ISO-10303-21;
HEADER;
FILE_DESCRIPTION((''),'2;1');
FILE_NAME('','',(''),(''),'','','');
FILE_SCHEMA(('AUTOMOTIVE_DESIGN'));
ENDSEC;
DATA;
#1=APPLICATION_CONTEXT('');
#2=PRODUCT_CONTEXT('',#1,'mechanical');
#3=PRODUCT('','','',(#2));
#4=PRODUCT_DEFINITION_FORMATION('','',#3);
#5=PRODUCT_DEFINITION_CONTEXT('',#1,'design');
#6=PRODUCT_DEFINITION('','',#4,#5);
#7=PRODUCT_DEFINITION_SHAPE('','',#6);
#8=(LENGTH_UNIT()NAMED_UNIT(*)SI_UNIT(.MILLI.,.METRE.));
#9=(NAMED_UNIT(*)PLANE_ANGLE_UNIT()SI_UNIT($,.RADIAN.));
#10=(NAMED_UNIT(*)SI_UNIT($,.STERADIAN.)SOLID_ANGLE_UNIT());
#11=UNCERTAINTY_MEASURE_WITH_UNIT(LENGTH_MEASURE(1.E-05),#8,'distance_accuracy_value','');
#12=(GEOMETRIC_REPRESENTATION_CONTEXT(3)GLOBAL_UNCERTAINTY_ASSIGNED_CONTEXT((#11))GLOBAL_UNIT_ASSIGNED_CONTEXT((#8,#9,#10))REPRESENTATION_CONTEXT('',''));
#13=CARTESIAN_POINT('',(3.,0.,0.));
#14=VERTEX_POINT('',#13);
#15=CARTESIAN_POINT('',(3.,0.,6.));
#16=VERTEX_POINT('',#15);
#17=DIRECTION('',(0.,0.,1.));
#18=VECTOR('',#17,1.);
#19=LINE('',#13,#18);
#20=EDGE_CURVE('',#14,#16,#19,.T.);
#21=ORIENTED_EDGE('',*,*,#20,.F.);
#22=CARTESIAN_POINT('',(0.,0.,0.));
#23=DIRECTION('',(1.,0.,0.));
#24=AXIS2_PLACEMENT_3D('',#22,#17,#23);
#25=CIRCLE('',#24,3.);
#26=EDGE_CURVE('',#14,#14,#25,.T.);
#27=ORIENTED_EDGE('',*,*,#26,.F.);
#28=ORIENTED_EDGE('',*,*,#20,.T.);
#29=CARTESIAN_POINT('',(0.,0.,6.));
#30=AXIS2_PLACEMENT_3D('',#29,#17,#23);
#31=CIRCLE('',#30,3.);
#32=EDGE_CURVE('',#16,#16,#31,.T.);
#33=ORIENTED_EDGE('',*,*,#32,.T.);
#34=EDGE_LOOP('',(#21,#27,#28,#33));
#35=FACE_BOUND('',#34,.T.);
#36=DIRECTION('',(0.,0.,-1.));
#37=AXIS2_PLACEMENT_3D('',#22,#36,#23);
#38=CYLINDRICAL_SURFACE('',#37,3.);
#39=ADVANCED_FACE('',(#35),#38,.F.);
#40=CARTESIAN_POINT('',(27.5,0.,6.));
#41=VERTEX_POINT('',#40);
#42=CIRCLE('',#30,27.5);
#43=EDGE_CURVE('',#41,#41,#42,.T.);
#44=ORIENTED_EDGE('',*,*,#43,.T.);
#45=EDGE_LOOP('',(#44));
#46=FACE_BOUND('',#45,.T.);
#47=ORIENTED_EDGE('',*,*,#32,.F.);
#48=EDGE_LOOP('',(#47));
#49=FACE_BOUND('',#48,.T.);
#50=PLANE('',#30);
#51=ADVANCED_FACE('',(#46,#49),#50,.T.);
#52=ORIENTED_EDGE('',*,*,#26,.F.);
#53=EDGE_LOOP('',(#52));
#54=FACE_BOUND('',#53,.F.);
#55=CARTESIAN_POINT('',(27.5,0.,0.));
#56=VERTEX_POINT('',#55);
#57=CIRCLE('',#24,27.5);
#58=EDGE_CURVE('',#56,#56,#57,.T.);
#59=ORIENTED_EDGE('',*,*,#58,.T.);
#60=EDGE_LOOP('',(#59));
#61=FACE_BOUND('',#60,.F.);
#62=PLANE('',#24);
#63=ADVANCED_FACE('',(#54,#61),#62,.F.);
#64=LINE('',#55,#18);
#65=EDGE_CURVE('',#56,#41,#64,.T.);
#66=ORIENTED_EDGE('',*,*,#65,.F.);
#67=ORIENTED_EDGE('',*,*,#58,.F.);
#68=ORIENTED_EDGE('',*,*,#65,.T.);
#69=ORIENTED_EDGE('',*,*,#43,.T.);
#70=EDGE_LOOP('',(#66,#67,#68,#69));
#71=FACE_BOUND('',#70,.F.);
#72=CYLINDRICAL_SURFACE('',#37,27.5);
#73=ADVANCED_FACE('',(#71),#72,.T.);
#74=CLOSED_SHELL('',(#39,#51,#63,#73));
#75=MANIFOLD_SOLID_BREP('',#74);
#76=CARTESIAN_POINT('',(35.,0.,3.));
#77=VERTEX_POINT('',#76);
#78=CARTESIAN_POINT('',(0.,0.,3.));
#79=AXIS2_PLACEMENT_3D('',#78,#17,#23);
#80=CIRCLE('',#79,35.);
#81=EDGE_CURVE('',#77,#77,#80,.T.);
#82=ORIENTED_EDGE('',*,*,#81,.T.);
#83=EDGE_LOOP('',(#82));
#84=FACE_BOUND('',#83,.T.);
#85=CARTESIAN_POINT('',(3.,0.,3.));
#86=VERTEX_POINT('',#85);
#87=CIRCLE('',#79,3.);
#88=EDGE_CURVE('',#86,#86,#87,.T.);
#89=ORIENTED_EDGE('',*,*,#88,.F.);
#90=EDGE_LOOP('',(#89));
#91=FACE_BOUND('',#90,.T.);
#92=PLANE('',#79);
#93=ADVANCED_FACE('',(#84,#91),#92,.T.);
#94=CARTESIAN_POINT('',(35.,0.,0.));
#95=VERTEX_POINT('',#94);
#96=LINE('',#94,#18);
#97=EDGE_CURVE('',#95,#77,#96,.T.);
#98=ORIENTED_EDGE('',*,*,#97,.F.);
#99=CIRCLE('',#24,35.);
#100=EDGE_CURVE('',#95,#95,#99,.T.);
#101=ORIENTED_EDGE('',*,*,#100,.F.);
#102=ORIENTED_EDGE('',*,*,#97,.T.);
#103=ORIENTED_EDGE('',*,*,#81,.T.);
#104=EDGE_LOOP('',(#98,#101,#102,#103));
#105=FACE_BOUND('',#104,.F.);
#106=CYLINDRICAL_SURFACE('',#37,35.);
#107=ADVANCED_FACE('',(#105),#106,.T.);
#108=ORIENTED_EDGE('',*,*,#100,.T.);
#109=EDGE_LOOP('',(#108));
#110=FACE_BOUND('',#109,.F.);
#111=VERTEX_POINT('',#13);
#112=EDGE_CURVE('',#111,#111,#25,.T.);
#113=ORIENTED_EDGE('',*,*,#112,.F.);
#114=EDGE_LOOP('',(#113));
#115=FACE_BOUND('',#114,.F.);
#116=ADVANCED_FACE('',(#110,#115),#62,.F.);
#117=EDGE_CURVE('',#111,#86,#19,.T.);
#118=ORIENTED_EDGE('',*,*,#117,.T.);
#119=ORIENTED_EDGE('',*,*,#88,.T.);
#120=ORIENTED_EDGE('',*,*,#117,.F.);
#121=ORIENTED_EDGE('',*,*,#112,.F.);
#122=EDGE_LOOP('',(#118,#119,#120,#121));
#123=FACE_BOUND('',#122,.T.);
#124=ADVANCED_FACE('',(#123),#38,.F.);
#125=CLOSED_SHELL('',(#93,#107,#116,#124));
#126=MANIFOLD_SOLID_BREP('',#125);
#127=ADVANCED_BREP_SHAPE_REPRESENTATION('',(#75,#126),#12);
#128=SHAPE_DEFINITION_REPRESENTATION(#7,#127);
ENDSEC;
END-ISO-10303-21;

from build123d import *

# Parameters (mm, degrees)
F0_R     = 35
F0_R_2   = 27.5
F0_R_3   = 3
F1_DEPTH = 3
F2_DEPTH = 6


with BuildPart() as f1:
    # F0 (on Top) → F1 (new body)
    with BuildSketch(Plane.XY):
        Circle(F0_R)
        Circle(F0_R_2, mode=Mode.SUBTRACT)
        Circle(F0_R_2)
        Circle(F0_R_3, mode=Mode.SUBTRACT)
    extrude(amount=F1_DEPTH)


with BuildPart() as f2:
    # F0 (on Top) → F2 (new body)
    with BuildSketch(Plane.XY):
        Circle(F0_R_2)
        Circle(F0_R_3, mode=Mode.SUBTRACT)
    extrude(amount=F2_DEPTH)


solid = Compound([f1.part, f2.part])
